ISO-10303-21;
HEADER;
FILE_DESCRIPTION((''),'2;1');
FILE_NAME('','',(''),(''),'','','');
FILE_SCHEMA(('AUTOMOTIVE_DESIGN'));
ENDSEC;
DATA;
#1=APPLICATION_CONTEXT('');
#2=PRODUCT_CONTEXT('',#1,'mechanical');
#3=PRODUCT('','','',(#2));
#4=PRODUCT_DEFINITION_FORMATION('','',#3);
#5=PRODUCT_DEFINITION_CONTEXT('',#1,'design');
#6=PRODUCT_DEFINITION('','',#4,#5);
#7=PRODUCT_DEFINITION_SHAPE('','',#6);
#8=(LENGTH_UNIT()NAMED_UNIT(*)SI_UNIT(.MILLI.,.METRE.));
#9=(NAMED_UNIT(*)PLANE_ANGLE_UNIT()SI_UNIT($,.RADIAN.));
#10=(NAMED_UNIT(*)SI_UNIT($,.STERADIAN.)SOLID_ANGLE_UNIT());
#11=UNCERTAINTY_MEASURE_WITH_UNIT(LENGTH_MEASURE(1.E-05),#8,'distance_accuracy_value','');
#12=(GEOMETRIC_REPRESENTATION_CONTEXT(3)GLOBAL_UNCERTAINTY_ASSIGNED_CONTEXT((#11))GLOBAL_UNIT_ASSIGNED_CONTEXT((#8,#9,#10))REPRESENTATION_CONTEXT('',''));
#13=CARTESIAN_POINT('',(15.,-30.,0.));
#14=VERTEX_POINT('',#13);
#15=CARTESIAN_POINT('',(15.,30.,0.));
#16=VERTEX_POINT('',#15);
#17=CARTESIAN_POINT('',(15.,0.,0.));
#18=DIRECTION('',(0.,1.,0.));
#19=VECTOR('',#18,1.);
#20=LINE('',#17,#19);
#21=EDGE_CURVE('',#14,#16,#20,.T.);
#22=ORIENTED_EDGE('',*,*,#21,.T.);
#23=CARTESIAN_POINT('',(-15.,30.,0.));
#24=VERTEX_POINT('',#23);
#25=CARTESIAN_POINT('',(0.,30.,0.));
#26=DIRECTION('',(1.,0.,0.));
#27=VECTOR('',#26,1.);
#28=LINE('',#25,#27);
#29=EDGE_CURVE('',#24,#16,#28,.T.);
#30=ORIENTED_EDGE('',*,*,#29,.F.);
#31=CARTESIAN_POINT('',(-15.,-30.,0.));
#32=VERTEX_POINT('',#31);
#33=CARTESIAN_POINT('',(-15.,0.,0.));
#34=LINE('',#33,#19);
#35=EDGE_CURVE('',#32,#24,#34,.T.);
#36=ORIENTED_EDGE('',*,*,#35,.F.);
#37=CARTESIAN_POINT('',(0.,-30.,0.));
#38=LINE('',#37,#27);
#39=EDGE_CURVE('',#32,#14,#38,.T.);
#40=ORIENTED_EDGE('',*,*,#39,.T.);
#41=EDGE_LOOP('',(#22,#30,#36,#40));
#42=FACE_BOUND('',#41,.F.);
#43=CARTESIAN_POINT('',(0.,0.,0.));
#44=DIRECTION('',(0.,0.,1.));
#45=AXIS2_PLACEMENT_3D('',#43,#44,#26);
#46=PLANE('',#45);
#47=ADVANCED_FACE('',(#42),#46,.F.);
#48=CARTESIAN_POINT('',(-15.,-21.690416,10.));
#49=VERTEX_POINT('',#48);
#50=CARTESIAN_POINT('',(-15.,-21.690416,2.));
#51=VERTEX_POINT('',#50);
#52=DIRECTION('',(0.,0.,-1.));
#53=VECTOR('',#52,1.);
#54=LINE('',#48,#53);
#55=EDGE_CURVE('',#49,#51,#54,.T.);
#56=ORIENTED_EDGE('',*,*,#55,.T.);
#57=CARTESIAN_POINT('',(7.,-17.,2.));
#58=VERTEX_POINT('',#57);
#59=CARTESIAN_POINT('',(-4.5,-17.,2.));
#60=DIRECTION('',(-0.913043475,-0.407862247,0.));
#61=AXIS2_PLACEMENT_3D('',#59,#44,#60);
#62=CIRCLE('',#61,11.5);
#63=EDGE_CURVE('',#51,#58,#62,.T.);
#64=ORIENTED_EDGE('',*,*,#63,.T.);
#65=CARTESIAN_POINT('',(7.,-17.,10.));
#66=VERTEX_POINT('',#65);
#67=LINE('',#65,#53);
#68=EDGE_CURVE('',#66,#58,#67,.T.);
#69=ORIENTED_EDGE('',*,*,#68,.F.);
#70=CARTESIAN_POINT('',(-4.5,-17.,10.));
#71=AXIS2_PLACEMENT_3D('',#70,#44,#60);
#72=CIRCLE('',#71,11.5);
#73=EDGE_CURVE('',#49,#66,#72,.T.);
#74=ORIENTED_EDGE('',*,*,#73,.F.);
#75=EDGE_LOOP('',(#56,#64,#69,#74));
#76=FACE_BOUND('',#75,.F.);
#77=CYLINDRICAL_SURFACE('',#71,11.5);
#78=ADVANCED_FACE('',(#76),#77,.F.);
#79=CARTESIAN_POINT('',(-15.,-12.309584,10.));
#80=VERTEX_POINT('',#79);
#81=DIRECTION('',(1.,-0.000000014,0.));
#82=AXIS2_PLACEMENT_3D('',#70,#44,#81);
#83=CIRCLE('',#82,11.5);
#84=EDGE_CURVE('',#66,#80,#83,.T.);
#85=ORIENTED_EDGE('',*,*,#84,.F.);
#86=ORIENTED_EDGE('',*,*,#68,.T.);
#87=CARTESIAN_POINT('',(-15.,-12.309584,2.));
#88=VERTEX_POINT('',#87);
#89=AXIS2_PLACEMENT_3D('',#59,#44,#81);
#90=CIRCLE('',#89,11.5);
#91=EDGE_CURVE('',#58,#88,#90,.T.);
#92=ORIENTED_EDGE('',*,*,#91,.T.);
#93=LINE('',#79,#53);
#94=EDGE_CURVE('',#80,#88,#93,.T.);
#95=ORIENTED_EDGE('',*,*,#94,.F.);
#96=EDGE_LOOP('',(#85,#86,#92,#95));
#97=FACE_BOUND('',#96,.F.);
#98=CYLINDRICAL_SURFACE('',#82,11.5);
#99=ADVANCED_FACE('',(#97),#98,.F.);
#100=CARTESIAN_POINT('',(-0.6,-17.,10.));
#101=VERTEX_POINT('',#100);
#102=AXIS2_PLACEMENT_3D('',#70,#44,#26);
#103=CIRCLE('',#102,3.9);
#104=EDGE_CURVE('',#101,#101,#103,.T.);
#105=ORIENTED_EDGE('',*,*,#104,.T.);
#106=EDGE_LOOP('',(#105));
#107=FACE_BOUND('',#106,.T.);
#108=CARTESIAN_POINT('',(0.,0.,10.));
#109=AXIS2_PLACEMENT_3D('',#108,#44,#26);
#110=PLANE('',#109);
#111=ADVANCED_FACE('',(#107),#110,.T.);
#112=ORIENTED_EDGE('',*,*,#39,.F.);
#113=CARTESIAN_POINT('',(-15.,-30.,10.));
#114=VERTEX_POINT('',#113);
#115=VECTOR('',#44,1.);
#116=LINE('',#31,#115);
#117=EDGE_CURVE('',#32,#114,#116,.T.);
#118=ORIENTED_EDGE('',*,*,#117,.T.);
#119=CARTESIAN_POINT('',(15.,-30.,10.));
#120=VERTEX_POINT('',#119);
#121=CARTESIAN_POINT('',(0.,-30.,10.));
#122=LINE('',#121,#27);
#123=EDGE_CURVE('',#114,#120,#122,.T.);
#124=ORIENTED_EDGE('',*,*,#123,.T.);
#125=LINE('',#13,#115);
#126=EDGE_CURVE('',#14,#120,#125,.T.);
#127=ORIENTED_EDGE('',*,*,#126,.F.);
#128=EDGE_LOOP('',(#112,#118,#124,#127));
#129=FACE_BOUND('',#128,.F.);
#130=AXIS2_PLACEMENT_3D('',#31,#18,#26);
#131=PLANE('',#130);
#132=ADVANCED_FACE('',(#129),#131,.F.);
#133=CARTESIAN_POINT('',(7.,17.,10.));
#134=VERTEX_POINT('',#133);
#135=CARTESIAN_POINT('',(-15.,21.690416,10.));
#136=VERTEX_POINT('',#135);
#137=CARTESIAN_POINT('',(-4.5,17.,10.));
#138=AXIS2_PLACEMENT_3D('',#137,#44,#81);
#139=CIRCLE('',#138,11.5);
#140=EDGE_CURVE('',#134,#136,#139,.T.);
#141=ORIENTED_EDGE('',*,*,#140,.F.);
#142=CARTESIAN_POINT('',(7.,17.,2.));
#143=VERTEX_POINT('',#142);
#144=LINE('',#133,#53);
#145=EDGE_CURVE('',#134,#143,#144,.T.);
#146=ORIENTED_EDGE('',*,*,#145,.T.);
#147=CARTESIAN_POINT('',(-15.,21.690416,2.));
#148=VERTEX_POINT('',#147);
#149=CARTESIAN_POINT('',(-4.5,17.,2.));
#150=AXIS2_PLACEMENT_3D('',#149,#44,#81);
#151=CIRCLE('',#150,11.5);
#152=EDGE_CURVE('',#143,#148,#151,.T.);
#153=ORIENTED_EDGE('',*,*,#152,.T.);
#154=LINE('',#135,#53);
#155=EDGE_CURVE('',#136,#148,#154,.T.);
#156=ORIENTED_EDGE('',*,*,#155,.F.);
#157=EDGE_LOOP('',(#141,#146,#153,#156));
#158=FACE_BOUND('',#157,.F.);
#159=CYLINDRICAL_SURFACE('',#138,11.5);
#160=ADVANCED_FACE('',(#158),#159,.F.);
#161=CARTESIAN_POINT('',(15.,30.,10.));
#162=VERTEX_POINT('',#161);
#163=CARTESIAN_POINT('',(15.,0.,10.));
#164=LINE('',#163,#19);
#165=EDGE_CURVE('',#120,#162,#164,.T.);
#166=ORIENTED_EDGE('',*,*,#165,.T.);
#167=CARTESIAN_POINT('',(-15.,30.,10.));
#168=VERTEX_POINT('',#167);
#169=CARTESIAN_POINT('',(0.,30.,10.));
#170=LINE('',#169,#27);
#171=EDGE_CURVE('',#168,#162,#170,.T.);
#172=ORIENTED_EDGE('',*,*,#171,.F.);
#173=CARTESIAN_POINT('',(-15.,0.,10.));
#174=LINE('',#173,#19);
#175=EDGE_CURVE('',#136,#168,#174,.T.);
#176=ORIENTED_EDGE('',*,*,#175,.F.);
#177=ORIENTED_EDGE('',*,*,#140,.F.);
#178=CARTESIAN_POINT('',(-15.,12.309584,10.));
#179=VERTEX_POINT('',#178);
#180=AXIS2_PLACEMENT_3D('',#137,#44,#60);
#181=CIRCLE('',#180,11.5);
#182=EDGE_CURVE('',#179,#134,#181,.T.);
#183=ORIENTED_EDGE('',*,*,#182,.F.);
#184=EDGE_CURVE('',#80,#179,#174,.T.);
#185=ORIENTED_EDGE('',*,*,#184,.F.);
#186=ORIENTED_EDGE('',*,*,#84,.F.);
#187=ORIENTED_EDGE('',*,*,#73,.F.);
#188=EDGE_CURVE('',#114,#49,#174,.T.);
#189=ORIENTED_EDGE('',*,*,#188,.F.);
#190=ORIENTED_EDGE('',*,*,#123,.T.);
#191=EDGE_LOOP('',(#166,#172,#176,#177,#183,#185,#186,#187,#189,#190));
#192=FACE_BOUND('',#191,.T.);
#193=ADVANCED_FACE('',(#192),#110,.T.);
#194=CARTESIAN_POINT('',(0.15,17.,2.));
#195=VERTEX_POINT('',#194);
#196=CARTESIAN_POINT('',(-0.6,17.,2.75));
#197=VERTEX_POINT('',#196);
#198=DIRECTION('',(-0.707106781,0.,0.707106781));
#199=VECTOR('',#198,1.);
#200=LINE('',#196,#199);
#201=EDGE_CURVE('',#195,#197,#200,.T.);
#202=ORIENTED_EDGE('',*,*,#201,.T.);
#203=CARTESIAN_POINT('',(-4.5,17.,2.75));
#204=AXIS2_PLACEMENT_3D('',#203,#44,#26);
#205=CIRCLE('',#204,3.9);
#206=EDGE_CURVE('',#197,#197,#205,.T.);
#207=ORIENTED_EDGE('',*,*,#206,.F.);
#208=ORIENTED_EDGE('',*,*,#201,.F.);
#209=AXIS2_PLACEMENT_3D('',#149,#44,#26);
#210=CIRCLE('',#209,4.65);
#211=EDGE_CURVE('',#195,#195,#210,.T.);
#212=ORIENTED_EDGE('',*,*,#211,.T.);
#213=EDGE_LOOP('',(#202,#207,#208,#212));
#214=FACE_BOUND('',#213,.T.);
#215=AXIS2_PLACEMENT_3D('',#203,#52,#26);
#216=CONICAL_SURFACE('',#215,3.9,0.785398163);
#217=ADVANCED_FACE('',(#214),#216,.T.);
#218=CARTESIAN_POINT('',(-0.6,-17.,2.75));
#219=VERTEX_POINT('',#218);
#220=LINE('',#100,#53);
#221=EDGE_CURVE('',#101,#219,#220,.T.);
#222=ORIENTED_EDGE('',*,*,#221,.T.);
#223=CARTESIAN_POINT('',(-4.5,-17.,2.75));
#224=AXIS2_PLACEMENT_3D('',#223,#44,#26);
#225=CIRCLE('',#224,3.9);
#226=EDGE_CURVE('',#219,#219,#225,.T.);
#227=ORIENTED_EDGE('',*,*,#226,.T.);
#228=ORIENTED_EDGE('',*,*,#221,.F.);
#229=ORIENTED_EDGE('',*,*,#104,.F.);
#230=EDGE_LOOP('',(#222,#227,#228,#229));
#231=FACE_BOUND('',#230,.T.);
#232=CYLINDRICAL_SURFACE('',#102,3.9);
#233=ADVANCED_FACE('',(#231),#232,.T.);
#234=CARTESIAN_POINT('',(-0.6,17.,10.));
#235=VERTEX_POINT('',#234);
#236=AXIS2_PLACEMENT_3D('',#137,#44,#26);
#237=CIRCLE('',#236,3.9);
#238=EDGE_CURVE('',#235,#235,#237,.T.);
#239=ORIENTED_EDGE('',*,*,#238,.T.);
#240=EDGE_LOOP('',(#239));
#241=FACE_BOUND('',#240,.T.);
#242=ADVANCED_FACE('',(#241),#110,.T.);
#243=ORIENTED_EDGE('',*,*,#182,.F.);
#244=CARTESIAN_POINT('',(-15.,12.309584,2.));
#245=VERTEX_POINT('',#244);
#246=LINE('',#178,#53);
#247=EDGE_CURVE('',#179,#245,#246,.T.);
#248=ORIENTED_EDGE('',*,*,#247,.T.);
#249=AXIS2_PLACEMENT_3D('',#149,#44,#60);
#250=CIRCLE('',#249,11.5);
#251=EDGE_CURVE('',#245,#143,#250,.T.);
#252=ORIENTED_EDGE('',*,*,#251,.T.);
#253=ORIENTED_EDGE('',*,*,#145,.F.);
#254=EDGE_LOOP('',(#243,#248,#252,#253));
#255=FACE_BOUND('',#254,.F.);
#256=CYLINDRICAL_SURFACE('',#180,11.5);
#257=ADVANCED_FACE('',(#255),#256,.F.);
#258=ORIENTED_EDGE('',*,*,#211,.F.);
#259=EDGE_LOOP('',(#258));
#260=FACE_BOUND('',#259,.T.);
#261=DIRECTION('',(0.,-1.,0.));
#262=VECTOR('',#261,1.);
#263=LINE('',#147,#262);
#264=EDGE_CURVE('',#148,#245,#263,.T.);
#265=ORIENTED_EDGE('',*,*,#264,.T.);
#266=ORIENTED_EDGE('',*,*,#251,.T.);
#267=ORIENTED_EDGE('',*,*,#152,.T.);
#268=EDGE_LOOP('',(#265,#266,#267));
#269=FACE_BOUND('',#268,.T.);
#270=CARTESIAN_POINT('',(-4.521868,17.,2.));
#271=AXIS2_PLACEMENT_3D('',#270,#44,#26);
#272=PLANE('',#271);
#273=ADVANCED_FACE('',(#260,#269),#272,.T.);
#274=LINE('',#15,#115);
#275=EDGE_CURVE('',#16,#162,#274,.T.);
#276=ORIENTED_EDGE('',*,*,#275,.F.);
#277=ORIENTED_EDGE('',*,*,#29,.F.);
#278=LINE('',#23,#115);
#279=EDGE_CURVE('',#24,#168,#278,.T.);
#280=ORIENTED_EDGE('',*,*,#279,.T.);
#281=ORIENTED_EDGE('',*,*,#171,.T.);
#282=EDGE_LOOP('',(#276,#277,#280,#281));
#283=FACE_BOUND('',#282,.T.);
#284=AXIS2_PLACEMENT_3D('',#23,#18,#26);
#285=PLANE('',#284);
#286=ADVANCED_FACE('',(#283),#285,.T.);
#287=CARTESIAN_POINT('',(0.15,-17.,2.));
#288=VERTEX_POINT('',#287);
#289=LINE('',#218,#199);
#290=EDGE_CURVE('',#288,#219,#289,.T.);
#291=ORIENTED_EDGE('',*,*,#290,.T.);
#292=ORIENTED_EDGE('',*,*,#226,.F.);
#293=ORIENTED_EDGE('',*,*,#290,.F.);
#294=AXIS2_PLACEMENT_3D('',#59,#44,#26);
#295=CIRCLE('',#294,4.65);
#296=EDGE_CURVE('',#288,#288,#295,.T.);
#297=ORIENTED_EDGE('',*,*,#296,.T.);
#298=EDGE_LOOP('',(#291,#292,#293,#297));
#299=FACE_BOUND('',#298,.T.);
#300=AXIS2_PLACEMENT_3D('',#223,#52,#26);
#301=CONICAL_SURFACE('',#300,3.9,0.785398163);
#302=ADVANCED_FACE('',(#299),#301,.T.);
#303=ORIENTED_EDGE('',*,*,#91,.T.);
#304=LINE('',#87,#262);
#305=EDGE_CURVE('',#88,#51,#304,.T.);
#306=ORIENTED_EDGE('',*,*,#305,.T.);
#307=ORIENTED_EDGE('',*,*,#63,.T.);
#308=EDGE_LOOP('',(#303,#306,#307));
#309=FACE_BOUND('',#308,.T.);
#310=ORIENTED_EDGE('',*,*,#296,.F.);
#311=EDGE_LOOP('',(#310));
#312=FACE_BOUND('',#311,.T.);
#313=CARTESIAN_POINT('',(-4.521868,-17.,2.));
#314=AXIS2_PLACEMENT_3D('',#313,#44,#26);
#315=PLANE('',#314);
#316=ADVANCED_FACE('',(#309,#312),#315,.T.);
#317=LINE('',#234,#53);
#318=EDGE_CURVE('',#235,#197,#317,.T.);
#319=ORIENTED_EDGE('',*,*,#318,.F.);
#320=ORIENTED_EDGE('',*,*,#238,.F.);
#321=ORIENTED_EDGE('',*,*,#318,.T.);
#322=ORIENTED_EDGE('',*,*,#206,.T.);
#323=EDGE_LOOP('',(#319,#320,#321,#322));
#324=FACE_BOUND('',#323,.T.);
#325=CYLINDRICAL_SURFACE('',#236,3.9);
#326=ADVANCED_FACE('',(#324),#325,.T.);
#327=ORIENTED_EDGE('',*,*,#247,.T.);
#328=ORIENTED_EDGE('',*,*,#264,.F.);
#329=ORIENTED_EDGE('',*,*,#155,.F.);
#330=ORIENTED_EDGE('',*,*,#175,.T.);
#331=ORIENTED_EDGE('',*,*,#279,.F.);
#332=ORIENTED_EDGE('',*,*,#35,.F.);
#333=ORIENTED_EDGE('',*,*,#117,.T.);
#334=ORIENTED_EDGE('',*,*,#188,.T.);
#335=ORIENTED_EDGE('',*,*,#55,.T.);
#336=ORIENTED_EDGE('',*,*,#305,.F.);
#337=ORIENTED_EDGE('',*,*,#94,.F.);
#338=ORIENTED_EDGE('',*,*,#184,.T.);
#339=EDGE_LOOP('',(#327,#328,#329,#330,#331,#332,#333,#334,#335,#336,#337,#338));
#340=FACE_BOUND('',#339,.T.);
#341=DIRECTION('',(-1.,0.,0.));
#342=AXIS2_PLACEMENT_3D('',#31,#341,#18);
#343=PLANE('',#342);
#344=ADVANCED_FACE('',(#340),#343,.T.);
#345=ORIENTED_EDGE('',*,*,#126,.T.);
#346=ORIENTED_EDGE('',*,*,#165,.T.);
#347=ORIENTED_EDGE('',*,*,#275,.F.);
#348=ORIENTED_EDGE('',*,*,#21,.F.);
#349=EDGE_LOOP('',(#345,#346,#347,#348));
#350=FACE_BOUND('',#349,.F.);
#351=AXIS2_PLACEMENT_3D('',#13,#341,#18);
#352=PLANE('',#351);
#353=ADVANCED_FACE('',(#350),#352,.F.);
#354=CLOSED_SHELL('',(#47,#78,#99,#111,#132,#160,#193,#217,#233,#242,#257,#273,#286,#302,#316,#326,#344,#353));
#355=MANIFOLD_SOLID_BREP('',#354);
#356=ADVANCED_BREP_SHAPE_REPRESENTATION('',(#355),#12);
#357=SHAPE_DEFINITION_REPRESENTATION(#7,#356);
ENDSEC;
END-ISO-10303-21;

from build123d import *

# Parameters (mm, degrees)
F0_W     = 30
F0_H     = 60
F1_DEPTH = 10
F2_R     = 3.9
F3_DEPTH = 8
F4_SIZE  = 0.75


with BuildPart() as f1:
    # F0 (on Top) → F1 (new body)
    with BuildSketch(Plane.XY):
        Rectangle(F0_W, F0_H)
    extrude(amount=F1_DEPTH)

    # F2 (on face) → F3 (cut)
    with BuildSketch(Plane.XY.offset(10)):
        with BuildLine():
            ThreePointArc((-15, 12.309584), (-2.102084, 5.752778), (7, 17))
            ThreePointArc((7, 17), (-2.102084, 28.247222), (-15, 21.690416))
            Line((-15, 21.690416), (-15, 12.309584))
        make_face()
        with Locations((-4.5, 17)):
            Circle(F2_R, mode=Mode.SUBTRACT)
        with BuildLine():
            ThreePointArc((7, -17), (-2.102084, -5.752778), (-15, -12.309584))
            Line((-15, -12.309584), (-15, -21.690416))
            ThreePointArc((-15, -21.690416), (-2.102084, -28.247222), (7, -17))
        make_face()
        with Locations((-4.5, -17)):
            Circle(F2_R, mode=Mode.SUBTRACT)
    extrude(amount=-F3_DEPTH, mode=Mode.SUBTRACT)

    # F4
    f4_edges = [f1.edges().sort_by_distance(p)[0] for p in [
        (-8.4, 17, 2),
        (-8.4, -17, 2),
    ]]
    chamfer(f4_edges, length=F4_SIZE)


solid = f1.part
